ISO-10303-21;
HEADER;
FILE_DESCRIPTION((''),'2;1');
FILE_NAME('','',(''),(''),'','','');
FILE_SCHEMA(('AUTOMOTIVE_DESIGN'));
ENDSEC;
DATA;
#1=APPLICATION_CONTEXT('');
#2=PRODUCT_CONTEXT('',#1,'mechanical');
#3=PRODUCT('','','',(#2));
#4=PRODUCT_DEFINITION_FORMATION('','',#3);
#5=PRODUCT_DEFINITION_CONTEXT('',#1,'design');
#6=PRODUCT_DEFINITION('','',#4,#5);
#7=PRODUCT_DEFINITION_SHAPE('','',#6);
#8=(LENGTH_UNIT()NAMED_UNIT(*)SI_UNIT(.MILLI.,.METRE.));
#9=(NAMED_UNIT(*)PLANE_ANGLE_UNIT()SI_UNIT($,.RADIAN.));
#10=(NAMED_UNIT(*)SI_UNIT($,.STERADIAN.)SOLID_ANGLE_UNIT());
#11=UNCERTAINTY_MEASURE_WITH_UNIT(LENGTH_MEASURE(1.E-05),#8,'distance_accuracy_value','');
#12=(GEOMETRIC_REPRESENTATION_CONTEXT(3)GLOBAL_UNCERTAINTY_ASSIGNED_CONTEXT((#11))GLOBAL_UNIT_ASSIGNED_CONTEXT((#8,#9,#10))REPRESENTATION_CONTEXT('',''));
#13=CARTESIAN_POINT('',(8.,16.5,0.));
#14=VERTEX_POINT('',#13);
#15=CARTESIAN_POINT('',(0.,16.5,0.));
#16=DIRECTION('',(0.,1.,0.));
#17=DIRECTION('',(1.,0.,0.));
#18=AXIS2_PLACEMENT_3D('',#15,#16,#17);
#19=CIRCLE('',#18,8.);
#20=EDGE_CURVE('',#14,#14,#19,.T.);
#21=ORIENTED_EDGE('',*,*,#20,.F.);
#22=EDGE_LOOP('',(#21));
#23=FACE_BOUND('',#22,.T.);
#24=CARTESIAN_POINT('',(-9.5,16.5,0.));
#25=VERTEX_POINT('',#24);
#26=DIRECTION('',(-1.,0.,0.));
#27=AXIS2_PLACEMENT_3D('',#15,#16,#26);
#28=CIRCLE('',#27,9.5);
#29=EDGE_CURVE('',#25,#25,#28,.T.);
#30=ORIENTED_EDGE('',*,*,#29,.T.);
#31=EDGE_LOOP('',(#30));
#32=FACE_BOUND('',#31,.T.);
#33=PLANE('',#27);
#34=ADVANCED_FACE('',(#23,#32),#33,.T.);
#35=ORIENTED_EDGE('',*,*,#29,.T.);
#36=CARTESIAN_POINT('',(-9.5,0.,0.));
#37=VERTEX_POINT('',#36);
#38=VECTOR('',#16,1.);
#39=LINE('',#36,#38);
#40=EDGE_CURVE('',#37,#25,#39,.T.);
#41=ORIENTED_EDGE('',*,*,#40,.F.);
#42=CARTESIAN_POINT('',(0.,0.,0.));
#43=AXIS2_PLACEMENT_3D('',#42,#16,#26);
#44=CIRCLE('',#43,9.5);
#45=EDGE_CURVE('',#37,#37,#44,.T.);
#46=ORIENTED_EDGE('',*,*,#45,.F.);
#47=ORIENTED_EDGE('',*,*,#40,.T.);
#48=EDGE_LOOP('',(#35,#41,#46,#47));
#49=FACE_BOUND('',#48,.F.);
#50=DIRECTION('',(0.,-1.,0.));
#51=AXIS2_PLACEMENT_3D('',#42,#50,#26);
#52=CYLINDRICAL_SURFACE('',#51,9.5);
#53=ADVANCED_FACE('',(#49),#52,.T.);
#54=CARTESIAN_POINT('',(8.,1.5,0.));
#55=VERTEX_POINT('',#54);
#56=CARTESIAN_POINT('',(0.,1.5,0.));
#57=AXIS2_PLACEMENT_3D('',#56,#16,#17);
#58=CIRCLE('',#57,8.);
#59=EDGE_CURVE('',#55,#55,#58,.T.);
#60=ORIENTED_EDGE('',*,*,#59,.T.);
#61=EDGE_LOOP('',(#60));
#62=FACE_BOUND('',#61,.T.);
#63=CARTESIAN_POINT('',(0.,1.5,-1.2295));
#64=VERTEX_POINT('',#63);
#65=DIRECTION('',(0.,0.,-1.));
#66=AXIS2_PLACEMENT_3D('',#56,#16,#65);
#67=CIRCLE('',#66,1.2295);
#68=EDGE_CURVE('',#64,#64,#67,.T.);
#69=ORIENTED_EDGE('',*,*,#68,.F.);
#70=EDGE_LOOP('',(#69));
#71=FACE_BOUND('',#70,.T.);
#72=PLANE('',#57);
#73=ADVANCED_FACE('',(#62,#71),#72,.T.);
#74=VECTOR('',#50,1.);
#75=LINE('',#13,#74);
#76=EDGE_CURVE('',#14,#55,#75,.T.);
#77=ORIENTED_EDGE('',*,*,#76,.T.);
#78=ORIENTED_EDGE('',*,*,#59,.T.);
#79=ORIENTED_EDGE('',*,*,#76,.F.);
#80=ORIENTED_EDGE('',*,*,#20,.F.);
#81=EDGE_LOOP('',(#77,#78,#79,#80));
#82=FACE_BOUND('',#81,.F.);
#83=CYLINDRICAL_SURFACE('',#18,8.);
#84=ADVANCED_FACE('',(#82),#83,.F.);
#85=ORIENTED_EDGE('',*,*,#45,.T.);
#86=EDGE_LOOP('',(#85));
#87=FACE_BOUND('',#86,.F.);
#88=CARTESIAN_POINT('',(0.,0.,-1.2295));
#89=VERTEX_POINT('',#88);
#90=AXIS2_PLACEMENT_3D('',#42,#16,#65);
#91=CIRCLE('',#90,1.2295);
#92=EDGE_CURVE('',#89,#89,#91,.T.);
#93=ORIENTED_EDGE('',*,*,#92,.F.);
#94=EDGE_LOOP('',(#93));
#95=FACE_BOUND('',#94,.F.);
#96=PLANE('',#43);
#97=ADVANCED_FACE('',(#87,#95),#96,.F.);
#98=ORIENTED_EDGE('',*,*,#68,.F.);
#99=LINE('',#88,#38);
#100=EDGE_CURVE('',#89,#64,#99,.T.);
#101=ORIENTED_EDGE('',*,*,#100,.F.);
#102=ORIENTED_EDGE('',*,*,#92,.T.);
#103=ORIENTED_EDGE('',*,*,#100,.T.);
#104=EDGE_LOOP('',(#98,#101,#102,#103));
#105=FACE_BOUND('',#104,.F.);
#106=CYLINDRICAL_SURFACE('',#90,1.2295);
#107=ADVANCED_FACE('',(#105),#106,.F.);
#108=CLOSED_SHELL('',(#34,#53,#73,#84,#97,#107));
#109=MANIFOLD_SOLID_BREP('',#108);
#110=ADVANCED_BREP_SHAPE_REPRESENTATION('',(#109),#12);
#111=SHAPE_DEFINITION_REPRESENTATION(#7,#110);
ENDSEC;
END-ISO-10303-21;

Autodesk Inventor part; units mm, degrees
ref_plane "YZ Plane" through (0, 0, 0) normal (1, 0, 0) x (0, 1, 0)
ref_plane "XZ Plane" through (0, 0, 0) normal (0, 1, 0) x (-1, 0, 0)
ref_plane "XY Plane" through (0, 0, 0) normal (0, 0, 1) x (1, 0, 0)
sketch "Skizze1" plane through (0, 0, 0) normal (0, 1, 0) x (-1, 0, 0)
  circle A0 centre (0, 0) radius 9.5
  dimension "d0" = 19
extrude "Extrusion1" add sketch "Skizze1" along normal blind 16.5
sketch "Skizze2" plane through (0, 16.5, 0) normal (0, 1, 0) x (1, 0, 0)
  circle A0 centre (0, 0) radius 8
  dimension "d3" = 16
extrude "Extrusion2" cut sketch "Skizze2" against normal blind 15
sketch "Skizze3" plane through (0, 0, 0) normal (0, -1, 0) x (1, 0, 0)
  circle A0 centre (0, 0) radius 9.5 projected
hole "Bohrung1" at (0, 0, 0) direction (0, 1, 0) diameter 2.459 depth 1.5 thread size "M3x0.5" class "6H" standard "ISO Metric profile"
properties part number "23"
